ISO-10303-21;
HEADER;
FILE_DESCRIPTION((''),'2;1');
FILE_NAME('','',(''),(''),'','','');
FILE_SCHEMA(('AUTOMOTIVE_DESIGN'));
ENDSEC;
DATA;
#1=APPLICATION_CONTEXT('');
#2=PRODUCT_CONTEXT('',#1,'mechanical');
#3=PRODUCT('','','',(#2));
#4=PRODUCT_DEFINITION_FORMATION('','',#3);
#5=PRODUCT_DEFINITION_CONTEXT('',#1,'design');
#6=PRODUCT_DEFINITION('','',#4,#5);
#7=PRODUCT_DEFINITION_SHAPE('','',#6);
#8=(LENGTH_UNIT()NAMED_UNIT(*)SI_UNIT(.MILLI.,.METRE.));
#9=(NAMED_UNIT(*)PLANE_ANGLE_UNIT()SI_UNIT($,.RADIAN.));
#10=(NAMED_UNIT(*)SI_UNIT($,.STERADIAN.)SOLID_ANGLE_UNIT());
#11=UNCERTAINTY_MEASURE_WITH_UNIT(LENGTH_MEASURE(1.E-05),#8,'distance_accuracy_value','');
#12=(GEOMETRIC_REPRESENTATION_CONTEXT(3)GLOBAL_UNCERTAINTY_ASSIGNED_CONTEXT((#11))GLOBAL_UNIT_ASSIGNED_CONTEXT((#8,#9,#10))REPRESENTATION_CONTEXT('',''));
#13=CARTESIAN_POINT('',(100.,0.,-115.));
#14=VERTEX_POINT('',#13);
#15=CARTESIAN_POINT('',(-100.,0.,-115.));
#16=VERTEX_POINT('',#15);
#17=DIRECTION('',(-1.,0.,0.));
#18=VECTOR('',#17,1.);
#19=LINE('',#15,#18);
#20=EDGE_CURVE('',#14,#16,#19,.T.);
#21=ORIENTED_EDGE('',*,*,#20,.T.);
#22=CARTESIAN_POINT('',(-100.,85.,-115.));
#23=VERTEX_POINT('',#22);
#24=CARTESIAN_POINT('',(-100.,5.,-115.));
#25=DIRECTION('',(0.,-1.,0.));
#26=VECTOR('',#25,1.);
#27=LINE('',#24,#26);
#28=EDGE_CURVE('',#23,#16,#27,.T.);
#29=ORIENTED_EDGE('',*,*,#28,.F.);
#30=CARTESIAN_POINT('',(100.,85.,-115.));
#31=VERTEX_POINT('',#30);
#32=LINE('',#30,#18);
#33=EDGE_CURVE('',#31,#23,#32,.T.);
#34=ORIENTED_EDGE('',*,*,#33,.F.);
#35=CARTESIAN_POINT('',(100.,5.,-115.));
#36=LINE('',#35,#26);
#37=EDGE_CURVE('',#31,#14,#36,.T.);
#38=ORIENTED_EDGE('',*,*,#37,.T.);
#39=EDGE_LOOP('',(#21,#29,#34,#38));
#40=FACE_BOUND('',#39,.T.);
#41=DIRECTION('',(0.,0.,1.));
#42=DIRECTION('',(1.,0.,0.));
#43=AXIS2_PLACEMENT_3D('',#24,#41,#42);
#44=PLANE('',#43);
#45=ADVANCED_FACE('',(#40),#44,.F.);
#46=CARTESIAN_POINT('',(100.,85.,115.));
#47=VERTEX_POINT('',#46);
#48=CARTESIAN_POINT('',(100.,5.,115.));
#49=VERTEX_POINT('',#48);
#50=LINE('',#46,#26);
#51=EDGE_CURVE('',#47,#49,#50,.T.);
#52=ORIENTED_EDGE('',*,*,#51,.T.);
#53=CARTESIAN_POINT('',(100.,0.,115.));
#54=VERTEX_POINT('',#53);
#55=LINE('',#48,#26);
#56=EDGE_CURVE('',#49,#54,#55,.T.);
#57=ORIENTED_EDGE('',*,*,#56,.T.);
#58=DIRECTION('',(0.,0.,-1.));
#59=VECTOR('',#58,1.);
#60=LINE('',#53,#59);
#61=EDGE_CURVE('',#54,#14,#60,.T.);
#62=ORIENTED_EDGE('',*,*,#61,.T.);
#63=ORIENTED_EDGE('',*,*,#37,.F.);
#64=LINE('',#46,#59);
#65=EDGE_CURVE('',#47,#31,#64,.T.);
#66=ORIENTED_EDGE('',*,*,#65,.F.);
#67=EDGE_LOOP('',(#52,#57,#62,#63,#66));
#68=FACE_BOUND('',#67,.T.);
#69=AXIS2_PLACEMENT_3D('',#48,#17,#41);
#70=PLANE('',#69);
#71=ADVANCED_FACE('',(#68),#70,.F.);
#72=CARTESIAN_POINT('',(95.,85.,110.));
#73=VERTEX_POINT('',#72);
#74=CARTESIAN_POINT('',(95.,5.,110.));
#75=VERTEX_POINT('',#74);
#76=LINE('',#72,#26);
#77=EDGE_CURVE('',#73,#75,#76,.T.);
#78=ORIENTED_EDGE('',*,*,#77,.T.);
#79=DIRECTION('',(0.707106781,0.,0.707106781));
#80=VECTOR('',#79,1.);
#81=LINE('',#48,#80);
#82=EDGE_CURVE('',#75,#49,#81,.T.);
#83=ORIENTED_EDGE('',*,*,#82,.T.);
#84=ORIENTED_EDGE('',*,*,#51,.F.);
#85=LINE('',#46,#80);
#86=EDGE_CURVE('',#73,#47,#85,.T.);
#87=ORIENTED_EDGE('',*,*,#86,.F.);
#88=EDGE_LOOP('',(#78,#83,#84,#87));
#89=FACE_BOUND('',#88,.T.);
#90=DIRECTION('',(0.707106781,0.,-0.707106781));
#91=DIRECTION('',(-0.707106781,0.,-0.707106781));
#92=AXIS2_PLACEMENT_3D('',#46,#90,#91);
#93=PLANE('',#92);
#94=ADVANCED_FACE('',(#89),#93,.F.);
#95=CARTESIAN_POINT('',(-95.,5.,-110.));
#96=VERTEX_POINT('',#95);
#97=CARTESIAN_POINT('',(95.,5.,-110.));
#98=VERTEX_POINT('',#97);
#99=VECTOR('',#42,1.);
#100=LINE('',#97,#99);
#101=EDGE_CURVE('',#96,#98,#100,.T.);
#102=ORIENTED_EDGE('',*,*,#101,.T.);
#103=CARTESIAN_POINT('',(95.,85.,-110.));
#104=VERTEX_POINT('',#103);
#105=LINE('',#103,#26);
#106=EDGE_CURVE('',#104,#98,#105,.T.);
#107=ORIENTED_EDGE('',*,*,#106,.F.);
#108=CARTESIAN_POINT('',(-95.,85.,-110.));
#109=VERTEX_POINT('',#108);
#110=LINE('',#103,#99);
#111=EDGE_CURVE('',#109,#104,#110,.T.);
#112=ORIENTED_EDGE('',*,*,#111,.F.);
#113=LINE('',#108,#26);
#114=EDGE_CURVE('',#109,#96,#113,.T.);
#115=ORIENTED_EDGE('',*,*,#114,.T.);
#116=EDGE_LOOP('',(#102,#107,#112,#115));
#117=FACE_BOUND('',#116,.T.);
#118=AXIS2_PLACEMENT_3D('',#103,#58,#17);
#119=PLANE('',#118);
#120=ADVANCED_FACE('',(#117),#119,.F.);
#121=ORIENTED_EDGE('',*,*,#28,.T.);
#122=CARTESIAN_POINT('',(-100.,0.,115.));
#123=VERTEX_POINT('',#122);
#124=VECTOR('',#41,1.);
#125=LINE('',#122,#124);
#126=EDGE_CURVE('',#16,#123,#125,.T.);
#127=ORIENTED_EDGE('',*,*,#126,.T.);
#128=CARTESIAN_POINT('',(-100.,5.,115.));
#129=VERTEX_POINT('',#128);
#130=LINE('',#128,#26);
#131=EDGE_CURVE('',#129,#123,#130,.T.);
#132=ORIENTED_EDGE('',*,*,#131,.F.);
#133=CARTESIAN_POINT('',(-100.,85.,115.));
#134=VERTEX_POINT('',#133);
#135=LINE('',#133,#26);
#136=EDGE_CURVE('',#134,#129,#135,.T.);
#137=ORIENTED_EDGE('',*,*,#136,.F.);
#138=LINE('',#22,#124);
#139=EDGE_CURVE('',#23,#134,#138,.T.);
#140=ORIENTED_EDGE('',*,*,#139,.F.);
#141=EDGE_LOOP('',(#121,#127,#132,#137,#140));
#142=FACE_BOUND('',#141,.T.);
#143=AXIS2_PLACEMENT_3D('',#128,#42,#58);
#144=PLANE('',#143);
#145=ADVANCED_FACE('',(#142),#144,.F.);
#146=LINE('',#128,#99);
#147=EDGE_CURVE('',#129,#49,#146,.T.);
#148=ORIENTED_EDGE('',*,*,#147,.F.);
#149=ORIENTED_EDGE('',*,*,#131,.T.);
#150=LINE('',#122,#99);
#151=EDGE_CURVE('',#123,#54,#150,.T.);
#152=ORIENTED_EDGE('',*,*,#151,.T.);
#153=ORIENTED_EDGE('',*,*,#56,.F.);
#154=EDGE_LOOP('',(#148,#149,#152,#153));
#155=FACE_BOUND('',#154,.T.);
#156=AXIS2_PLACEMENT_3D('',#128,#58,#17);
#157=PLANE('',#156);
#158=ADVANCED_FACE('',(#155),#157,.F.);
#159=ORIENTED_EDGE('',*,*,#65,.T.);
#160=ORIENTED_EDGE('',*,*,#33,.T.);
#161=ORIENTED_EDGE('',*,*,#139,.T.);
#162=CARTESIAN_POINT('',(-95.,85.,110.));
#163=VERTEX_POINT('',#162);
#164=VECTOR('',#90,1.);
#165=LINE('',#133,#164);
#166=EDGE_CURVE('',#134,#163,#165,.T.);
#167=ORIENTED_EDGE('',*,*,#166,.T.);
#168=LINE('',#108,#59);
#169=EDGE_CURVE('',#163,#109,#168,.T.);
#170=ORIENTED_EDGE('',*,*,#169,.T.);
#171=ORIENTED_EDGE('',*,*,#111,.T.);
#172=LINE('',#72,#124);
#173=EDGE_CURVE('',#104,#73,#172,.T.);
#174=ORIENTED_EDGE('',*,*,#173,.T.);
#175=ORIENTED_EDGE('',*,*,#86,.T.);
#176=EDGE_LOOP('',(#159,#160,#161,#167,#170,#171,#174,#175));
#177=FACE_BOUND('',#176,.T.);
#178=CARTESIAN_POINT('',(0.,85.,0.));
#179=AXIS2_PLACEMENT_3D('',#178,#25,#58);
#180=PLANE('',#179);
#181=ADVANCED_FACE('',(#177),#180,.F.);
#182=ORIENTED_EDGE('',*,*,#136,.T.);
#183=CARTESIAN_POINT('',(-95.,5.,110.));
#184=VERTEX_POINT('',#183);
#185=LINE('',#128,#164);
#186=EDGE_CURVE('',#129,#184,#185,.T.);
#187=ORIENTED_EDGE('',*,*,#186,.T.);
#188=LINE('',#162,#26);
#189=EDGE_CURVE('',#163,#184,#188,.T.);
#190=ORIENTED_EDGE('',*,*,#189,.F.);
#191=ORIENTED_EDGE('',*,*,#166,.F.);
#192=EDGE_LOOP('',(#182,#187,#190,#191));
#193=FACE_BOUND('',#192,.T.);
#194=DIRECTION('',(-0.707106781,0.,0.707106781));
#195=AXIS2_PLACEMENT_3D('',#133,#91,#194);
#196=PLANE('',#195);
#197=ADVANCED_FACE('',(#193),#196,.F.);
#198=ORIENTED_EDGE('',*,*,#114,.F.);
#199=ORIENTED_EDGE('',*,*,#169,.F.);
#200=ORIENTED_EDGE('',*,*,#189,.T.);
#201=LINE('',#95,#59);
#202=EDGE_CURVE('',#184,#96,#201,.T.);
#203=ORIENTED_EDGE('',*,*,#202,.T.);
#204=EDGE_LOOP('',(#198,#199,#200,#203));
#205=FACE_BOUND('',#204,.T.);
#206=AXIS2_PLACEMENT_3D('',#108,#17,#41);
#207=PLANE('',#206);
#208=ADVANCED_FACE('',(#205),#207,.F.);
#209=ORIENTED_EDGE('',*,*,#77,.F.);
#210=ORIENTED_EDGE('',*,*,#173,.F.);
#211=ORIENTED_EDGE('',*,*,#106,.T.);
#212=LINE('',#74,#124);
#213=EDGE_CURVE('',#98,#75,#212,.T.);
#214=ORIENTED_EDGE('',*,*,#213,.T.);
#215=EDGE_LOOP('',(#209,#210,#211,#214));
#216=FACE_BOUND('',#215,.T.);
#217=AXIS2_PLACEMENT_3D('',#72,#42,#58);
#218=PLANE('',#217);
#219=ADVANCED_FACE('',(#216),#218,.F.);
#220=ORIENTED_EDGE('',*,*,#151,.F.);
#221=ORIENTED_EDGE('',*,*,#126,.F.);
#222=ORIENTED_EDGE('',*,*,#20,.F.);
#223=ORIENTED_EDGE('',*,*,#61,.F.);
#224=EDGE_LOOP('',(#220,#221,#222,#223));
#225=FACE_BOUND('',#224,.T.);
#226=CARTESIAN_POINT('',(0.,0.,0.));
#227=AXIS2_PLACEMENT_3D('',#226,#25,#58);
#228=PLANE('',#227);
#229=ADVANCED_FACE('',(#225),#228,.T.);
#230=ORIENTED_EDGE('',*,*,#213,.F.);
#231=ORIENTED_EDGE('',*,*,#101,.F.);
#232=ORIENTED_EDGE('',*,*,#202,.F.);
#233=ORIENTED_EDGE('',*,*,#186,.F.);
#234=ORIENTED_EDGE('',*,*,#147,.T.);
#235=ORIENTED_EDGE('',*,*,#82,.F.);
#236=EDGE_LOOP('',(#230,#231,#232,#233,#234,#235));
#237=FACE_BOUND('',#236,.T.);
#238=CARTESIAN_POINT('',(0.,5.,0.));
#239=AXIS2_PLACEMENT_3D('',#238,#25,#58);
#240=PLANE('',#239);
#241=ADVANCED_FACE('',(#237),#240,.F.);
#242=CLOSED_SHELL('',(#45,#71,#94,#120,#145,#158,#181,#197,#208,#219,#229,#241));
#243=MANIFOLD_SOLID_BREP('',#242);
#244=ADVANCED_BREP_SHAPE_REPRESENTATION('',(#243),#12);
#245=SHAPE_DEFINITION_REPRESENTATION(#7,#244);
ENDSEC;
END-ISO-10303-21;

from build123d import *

# Parameters (mm, degrees)
SKETCH1_W           = 200
SKETCH1_H           = 230
BOSS_EXTRUDE1_DEPTH = 5
BOSS_EXTRUDE2_DEPTH = 80


with BuildPart() as part:
    # Sketch1 → Boss-Extrude1 (new body)
    with BuildSketch(Plane(origin=(0, 0, 0), x_dir=(1, 0, 0), z_dir=(0, 1, 0))):
        Rectangle(SKETCH1_W, SKETCH1_H)
    extrude(amount=BOSS_EXTRUDE1_DEPTH)

    # Sketch2 → Boss-Extrude2 (add)
    with BuildSketch(Plane(origin=(0, 5, 0), x_dir=(1, 0, 0), z_dir=(0, 1, 0))):
        Polygon((100, -115), (100, 115), (-100, 115), (-100, -115), (-95, -110), (-95, 110), (95, 110), (95, -110), align=None)
    extrude(amount=BOSS_EXTRUDE2_DEPTH)


solid = part.part
